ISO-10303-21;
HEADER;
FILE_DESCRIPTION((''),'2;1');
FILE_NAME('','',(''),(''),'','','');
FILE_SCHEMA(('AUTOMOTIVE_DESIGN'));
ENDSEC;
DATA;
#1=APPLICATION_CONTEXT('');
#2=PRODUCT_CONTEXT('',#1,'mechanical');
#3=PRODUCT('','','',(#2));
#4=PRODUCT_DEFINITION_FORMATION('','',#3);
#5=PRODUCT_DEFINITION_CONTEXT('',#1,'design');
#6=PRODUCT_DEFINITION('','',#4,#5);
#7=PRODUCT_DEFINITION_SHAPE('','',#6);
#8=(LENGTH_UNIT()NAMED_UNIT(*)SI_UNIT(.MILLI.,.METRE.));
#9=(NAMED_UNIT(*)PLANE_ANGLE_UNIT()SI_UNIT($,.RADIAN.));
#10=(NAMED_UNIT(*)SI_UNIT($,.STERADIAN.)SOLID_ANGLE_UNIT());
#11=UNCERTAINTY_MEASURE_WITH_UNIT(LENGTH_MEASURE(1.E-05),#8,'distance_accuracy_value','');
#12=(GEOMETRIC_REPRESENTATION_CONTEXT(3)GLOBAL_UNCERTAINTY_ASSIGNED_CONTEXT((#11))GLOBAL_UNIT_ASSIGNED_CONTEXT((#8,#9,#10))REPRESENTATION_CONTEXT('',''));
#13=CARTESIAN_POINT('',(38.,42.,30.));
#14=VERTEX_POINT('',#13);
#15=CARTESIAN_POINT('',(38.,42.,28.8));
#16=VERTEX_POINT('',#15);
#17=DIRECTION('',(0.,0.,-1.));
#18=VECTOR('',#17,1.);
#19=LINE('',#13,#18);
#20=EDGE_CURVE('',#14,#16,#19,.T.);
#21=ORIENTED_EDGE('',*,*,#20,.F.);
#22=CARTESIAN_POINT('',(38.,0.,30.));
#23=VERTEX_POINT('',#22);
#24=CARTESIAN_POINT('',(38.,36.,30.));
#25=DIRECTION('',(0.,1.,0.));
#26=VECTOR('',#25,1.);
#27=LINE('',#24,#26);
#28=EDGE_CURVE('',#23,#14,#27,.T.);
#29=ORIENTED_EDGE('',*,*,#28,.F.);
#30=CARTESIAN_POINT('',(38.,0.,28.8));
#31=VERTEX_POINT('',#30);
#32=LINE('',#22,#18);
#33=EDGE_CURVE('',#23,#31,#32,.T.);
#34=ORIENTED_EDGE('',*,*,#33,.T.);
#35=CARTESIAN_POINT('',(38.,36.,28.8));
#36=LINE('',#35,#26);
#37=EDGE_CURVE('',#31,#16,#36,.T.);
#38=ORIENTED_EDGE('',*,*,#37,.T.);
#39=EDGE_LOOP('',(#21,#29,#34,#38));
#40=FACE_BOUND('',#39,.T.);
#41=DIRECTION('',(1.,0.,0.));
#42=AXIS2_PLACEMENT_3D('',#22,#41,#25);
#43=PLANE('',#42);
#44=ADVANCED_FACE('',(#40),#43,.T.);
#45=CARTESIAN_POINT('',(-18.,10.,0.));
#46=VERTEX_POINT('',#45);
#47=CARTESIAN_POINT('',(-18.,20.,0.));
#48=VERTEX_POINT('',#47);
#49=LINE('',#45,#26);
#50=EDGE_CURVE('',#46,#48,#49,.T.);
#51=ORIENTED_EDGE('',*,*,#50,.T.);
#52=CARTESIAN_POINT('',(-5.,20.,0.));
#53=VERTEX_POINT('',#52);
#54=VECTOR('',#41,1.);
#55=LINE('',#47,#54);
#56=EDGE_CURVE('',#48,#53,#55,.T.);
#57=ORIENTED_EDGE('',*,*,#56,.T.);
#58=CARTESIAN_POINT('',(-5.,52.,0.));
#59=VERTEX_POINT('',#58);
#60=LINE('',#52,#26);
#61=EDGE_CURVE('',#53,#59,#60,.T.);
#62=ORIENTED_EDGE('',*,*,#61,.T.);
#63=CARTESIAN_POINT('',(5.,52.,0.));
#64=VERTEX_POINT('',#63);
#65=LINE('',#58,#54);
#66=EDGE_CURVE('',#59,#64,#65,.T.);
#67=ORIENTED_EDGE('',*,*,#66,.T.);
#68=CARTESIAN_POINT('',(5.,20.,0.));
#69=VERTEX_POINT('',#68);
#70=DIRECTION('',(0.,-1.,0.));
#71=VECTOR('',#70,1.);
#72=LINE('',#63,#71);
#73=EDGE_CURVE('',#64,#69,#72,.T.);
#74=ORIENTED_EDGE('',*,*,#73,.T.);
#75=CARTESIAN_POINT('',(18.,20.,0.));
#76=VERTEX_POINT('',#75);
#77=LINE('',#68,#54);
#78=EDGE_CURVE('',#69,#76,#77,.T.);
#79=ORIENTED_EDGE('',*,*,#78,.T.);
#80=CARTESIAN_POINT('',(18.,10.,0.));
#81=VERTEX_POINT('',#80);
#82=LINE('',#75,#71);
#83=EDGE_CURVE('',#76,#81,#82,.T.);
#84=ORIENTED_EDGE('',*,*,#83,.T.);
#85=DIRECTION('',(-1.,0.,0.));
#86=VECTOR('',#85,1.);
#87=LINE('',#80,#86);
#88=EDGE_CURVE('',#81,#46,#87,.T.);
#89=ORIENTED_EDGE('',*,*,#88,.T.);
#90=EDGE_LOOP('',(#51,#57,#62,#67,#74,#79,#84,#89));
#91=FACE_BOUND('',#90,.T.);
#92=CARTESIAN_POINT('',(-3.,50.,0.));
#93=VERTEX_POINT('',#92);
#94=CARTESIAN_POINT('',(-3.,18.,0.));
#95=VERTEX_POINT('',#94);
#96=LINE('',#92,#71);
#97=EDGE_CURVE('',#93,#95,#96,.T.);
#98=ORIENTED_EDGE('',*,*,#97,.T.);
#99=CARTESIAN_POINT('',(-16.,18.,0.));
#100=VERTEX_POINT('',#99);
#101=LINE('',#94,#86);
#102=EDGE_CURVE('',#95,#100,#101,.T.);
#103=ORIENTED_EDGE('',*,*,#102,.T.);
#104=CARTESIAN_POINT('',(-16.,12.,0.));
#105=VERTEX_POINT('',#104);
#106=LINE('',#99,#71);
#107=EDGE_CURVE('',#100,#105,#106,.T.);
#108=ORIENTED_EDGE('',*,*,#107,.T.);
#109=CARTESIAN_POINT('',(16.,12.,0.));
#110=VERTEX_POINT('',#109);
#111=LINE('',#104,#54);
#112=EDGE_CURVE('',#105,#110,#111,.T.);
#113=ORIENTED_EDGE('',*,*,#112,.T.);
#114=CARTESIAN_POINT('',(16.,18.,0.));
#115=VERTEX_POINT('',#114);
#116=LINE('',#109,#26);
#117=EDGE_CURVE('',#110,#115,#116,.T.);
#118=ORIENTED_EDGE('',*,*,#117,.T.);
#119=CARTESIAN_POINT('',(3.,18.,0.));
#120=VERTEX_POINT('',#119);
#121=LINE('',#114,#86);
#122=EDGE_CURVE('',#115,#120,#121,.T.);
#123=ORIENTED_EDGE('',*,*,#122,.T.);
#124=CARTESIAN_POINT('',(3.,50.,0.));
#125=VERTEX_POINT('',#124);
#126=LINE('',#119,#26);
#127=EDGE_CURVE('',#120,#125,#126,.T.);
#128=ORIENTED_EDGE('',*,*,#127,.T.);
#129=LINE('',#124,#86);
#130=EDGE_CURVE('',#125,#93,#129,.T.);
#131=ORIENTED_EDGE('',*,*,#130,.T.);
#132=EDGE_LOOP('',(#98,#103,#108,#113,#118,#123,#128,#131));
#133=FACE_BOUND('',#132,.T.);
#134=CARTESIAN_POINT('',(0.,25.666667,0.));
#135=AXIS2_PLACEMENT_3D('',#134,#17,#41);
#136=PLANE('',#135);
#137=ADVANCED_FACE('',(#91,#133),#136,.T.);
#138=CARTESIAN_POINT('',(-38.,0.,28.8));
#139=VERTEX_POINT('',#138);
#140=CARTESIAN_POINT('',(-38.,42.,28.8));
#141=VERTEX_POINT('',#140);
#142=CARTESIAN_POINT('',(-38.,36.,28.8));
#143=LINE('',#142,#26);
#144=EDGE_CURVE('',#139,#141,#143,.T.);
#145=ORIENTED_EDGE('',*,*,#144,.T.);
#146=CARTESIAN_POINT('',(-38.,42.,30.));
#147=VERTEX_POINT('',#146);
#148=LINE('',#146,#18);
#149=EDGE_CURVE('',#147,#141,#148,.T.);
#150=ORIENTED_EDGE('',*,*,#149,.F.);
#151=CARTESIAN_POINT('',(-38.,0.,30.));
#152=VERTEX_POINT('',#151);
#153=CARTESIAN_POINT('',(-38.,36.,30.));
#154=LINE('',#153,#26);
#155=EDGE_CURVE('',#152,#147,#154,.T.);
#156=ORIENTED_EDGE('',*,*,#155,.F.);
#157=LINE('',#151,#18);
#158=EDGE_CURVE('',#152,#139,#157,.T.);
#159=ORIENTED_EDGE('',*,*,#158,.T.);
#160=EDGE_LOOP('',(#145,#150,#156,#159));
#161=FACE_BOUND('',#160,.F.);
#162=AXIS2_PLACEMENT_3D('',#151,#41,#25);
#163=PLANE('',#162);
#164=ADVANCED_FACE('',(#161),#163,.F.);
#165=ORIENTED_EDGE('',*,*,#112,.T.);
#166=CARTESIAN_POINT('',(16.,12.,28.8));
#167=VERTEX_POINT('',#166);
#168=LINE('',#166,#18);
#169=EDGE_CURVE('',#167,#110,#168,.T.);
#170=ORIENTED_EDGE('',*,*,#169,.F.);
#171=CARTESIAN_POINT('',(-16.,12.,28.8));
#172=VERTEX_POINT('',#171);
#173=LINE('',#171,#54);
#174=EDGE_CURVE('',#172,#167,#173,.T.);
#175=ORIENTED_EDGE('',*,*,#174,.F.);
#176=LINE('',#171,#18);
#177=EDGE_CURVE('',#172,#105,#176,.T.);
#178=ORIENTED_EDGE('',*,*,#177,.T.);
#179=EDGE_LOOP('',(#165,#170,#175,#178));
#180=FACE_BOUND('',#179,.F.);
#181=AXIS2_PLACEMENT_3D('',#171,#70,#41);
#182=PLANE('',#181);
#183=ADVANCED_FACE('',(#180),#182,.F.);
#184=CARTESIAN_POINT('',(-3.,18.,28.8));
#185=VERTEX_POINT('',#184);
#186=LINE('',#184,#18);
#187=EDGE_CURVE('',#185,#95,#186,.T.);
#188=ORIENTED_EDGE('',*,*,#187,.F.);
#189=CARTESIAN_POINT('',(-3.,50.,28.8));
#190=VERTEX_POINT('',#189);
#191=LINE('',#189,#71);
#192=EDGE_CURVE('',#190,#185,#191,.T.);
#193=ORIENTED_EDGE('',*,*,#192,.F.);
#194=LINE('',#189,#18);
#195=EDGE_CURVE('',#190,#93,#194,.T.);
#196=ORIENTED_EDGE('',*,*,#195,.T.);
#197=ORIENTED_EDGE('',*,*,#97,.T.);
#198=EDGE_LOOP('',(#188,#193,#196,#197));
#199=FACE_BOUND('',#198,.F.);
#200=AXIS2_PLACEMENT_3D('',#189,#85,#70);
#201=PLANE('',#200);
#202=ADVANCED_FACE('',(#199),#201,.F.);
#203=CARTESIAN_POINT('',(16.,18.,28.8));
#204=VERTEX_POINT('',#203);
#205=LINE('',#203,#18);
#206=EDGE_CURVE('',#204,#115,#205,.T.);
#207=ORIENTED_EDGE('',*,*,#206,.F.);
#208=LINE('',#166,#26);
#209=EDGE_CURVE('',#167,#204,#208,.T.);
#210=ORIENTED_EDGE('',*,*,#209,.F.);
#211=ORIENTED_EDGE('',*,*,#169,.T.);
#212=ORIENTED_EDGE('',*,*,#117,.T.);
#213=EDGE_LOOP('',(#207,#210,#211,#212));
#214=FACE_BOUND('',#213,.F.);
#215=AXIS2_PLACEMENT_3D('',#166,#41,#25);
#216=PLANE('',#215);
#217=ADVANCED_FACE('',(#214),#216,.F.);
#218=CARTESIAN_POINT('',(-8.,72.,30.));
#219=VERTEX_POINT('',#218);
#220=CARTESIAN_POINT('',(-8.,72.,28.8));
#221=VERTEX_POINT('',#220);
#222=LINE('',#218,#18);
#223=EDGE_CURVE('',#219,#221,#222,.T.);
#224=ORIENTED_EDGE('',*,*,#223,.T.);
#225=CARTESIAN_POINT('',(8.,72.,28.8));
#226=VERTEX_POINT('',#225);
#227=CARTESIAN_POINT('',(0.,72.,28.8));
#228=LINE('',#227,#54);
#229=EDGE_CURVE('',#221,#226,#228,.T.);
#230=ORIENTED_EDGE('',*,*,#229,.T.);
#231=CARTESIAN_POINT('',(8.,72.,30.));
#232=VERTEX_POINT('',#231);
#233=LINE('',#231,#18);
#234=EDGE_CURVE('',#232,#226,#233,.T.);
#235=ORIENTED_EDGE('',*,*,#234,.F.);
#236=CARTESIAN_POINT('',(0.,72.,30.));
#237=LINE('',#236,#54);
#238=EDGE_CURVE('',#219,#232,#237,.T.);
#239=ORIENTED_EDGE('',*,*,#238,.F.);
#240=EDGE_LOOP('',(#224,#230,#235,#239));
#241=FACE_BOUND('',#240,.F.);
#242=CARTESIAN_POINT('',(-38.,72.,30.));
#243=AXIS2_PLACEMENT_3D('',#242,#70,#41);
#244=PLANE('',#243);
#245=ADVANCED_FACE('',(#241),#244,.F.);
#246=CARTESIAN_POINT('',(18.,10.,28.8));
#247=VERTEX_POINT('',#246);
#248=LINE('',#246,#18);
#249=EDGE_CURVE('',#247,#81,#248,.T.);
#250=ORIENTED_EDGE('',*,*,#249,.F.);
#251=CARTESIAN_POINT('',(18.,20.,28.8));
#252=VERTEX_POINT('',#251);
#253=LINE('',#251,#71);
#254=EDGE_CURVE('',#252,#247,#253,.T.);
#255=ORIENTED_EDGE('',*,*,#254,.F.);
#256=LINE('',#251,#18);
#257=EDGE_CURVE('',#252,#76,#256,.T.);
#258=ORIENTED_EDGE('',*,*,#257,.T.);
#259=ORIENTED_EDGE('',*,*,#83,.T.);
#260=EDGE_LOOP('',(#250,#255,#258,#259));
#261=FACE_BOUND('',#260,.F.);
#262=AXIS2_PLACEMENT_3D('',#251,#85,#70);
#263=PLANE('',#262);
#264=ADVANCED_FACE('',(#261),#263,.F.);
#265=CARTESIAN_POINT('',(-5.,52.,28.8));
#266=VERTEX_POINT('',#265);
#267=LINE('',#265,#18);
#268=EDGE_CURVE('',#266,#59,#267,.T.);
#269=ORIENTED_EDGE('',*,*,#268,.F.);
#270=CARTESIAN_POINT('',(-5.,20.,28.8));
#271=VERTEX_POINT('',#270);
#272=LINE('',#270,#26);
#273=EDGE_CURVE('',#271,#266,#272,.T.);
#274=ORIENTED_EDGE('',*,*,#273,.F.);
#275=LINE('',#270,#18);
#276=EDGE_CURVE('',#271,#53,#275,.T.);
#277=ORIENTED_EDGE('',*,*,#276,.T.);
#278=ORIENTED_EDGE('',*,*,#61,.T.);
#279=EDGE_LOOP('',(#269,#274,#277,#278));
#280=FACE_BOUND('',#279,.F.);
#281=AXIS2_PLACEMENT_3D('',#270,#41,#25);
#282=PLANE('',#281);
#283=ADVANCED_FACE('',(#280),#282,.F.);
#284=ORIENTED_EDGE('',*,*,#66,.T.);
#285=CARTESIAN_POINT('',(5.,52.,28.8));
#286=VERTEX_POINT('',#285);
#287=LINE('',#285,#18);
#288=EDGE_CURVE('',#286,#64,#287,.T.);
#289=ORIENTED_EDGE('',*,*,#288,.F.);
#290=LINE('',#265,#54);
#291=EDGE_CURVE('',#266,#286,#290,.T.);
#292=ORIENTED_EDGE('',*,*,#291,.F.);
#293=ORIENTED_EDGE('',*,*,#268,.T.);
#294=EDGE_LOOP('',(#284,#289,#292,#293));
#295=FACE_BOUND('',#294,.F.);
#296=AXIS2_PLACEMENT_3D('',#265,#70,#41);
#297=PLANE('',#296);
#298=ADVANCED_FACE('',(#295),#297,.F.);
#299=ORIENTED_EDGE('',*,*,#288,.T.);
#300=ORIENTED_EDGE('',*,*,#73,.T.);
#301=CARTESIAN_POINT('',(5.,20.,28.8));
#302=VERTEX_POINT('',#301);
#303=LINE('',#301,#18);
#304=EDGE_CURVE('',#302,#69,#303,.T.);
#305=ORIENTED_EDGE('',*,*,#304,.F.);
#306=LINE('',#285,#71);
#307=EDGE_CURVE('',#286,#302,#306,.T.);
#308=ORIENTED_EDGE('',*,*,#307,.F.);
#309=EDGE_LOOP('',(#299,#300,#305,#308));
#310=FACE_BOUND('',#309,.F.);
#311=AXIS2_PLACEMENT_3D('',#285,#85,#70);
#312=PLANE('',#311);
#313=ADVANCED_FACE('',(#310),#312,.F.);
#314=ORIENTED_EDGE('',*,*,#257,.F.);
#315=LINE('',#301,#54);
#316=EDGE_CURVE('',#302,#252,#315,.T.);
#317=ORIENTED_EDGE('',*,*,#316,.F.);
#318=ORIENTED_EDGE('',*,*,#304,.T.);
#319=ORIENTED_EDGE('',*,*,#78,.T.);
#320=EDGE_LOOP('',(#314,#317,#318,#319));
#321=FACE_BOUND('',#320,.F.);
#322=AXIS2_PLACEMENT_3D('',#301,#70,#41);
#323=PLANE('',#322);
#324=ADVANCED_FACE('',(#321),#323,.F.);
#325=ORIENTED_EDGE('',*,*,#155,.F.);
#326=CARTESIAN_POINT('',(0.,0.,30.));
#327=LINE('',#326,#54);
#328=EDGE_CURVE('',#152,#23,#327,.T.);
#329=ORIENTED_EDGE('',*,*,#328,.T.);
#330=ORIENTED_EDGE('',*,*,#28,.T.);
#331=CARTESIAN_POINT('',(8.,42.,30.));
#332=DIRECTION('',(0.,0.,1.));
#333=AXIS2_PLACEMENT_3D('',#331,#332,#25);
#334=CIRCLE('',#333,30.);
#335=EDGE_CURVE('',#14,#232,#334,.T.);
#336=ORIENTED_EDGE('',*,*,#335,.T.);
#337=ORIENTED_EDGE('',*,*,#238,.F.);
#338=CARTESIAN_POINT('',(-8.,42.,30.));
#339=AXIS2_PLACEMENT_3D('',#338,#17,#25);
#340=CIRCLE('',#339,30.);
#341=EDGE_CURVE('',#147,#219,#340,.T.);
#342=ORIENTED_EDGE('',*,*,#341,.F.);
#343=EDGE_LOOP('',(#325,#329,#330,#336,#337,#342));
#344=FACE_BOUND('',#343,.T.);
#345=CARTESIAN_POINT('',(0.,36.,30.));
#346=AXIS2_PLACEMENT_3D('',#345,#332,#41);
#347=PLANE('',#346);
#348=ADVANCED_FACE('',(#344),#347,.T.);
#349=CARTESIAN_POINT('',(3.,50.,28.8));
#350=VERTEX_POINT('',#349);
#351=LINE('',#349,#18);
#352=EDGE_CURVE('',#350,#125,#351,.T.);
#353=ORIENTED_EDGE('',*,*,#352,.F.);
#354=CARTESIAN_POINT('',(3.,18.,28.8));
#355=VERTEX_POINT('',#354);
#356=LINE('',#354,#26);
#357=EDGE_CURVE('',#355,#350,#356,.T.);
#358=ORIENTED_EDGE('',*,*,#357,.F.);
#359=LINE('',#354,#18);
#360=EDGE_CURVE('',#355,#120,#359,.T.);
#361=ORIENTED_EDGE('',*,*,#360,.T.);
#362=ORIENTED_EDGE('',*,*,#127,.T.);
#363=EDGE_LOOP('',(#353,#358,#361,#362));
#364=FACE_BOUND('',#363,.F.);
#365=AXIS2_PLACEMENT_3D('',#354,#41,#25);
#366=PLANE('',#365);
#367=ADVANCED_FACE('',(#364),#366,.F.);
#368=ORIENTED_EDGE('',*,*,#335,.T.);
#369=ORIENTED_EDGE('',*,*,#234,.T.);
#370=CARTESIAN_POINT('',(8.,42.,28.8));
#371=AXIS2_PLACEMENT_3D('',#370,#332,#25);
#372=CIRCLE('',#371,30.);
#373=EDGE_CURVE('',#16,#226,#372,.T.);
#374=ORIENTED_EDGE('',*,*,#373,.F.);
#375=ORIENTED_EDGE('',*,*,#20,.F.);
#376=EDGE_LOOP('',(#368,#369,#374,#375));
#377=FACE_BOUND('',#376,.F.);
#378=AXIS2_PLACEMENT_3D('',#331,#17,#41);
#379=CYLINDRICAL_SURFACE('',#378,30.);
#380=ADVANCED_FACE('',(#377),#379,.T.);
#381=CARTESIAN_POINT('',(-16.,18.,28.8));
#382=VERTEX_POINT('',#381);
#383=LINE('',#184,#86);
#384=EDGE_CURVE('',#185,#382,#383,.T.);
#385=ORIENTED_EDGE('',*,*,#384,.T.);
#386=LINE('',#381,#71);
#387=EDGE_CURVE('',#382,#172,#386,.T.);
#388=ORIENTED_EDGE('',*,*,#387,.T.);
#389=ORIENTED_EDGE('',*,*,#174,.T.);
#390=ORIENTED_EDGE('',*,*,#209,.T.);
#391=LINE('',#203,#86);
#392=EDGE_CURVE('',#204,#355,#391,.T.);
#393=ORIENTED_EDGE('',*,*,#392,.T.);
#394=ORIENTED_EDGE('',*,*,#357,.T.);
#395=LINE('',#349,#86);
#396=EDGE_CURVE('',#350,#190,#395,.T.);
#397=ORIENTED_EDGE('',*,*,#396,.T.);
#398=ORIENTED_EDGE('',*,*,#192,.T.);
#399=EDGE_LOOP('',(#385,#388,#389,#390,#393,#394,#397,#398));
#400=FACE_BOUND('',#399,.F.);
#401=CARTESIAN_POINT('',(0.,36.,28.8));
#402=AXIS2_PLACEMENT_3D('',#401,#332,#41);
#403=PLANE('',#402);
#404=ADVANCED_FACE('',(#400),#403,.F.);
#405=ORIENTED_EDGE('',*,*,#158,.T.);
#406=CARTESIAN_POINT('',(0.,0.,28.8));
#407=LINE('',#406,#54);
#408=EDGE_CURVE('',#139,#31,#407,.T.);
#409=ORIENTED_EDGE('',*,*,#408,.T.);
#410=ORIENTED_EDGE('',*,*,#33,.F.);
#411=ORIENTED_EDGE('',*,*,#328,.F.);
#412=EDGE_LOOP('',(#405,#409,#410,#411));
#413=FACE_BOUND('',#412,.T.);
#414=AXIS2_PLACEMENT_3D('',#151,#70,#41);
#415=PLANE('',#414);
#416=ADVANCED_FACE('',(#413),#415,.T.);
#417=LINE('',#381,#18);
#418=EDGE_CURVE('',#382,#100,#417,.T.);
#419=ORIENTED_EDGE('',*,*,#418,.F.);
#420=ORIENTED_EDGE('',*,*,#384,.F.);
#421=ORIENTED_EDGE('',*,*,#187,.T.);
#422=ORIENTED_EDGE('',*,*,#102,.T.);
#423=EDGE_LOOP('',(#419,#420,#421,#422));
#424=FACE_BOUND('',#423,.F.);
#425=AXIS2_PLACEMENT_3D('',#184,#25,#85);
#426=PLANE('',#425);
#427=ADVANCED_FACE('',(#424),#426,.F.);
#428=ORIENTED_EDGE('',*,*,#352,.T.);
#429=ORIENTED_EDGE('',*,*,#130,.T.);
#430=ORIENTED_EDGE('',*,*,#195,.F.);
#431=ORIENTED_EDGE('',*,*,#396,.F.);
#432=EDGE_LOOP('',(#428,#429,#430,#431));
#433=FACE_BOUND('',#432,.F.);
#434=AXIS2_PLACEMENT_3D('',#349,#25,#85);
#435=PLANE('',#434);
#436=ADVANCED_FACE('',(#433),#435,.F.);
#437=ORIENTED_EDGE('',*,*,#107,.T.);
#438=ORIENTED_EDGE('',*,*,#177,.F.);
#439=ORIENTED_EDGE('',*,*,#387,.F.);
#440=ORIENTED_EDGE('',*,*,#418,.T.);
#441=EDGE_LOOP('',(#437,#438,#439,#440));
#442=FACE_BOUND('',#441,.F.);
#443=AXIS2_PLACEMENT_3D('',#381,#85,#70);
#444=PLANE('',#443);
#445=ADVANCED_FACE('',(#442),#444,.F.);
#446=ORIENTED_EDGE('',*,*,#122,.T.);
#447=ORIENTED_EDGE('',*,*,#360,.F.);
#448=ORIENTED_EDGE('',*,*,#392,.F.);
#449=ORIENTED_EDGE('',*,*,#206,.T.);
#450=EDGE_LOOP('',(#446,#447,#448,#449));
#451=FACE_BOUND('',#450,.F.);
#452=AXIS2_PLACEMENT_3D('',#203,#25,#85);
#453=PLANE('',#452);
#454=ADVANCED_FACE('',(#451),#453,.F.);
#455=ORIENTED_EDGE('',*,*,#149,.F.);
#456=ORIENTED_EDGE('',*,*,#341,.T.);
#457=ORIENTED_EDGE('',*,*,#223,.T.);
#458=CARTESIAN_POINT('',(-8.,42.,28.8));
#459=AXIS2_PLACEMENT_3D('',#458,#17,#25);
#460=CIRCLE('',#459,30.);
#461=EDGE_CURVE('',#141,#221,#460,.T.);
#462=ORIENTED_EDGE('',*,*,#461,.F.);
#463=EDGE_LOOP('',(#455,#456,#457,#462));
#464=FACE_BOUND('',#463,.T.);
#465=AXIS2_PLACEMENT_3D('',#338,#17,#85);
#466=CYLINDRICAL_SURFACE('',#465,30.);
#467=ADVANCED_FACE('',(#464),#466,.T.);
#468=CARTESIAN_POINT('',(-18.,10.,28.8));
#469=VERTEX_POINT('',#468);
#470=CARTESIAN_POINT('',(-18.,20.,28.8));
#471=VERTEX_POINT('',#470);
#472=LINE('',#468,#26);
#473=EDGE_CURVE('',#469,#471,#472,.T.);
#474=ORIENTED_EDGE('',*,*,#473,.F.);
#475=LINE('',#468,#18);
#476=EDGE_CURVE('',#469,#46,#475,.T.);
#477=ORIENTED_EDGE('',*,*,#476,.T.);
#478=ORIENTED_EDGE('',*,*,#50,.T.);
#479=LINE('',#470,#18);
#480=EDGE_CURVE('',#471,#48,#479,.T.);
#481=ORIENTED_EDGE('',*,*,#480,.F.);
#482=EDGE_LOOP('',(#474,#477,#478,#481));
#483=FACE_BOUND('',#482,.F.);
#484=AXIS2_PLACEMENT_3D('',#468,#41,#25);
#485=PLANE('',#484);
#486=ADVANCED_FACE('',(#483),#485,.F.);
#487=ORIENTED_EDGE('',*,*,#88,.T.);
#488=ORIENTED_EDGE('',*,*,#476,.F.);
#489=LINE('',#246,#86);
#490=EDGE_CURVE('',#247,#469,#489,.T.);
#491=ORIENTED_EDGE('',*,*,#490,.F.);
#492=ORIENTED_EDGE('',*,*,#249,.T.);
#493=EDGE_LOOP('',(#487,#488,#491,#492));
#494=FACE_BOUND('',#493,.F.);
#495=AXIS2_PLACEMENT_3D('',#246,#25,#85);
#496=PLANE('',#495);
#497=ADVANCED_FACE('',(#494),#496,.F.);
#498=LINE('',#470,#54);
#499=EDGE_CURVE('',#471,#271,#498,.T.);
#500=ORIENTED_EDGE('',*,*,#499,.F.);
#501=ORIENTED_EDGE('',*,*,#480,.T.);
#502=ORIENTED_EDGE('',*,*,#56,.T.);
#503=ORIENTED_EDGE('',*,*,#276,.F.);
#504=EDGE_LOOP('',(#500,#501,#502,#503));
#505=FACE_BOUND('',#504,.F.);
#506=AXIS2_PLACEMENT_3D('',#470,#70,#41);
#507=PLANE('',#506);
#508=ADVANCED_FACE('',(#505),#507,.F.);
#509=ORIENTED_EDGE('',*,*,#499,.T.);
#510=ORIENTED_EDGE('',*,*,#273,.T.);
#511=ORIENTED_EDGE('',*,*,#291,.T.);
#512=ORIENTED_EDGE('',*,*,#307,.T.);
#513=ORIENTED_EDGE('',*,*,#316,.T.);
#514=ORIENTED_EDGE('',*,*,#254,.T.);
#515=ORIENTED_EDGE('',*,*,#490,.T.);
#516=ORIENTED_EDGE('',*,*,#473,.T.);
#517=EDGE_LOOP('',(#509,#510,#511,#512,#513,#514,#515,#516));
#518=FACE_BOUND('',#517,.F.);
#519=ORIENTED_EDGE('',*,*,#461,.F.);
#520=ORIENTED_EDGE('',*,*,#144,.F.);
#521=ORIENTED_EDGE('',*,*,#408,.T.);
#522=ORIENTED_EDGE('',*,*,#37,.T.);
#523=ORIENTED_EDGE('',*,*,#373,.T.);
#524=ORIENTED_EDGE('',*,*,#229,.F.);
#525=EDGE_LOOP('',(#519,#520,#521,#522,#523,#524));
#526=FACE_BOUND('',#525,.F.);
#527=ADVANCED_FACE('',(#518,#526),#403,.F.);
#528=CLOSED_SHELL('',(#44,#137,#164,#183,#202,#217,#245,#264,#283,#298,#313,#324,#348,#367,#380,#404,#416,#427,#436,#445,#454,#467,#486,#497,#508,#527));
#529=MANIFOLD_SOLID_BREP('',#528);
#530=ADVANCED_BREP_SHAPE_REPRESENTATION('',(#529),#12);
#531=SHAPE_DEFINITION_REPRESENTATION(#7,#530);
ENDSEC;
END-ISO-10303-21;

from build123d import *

# Parameters (mm, degrees)
F1_W     = 76
F1_H     = 72
F2_DEPTH = 1.2
F3_R     = 30
F5_DEPTH = 28.8


with BuildPart() as f2:
    # F1 (on offset) → F2 (new body)
    with BuildSketch(Plane.XY.offset(30)):
        with Locations((0, 36)):
            Rectangle(F1_W, F1_H)
    extrude(amount=-F2_DEPTH)

    # F3
    f3_edges = [f2.edges().sort_by_distance(p)[0] for p in [
        (-38, 72, 29.4),
        (38, 72, 29.4),
    ]]
    fillet(f3_edges, radius=F3_R)

    # F4 (on face) → F5 (join, through all)
    with BuildSketch(Plane(origin=(0, 0, 28.8), x_dir=(1, 0, 0), z_dir=(0, 0, -1))):
        Polygon((5, -20), (18, -20), (18, -10), (-18, -10), (-18, -20), (-5, -20), (-5, -52), (5, -52), align=None)
        Polygon((3, -18), (3, -50), (-3, -50), (-3, -18), (-16, -18), (-16, -12), (16, -12), (16, -18), align=None, mode=Mode.SUBTRACT)
    extrude(amount=F5_DEPTH)


solid = f2.part
